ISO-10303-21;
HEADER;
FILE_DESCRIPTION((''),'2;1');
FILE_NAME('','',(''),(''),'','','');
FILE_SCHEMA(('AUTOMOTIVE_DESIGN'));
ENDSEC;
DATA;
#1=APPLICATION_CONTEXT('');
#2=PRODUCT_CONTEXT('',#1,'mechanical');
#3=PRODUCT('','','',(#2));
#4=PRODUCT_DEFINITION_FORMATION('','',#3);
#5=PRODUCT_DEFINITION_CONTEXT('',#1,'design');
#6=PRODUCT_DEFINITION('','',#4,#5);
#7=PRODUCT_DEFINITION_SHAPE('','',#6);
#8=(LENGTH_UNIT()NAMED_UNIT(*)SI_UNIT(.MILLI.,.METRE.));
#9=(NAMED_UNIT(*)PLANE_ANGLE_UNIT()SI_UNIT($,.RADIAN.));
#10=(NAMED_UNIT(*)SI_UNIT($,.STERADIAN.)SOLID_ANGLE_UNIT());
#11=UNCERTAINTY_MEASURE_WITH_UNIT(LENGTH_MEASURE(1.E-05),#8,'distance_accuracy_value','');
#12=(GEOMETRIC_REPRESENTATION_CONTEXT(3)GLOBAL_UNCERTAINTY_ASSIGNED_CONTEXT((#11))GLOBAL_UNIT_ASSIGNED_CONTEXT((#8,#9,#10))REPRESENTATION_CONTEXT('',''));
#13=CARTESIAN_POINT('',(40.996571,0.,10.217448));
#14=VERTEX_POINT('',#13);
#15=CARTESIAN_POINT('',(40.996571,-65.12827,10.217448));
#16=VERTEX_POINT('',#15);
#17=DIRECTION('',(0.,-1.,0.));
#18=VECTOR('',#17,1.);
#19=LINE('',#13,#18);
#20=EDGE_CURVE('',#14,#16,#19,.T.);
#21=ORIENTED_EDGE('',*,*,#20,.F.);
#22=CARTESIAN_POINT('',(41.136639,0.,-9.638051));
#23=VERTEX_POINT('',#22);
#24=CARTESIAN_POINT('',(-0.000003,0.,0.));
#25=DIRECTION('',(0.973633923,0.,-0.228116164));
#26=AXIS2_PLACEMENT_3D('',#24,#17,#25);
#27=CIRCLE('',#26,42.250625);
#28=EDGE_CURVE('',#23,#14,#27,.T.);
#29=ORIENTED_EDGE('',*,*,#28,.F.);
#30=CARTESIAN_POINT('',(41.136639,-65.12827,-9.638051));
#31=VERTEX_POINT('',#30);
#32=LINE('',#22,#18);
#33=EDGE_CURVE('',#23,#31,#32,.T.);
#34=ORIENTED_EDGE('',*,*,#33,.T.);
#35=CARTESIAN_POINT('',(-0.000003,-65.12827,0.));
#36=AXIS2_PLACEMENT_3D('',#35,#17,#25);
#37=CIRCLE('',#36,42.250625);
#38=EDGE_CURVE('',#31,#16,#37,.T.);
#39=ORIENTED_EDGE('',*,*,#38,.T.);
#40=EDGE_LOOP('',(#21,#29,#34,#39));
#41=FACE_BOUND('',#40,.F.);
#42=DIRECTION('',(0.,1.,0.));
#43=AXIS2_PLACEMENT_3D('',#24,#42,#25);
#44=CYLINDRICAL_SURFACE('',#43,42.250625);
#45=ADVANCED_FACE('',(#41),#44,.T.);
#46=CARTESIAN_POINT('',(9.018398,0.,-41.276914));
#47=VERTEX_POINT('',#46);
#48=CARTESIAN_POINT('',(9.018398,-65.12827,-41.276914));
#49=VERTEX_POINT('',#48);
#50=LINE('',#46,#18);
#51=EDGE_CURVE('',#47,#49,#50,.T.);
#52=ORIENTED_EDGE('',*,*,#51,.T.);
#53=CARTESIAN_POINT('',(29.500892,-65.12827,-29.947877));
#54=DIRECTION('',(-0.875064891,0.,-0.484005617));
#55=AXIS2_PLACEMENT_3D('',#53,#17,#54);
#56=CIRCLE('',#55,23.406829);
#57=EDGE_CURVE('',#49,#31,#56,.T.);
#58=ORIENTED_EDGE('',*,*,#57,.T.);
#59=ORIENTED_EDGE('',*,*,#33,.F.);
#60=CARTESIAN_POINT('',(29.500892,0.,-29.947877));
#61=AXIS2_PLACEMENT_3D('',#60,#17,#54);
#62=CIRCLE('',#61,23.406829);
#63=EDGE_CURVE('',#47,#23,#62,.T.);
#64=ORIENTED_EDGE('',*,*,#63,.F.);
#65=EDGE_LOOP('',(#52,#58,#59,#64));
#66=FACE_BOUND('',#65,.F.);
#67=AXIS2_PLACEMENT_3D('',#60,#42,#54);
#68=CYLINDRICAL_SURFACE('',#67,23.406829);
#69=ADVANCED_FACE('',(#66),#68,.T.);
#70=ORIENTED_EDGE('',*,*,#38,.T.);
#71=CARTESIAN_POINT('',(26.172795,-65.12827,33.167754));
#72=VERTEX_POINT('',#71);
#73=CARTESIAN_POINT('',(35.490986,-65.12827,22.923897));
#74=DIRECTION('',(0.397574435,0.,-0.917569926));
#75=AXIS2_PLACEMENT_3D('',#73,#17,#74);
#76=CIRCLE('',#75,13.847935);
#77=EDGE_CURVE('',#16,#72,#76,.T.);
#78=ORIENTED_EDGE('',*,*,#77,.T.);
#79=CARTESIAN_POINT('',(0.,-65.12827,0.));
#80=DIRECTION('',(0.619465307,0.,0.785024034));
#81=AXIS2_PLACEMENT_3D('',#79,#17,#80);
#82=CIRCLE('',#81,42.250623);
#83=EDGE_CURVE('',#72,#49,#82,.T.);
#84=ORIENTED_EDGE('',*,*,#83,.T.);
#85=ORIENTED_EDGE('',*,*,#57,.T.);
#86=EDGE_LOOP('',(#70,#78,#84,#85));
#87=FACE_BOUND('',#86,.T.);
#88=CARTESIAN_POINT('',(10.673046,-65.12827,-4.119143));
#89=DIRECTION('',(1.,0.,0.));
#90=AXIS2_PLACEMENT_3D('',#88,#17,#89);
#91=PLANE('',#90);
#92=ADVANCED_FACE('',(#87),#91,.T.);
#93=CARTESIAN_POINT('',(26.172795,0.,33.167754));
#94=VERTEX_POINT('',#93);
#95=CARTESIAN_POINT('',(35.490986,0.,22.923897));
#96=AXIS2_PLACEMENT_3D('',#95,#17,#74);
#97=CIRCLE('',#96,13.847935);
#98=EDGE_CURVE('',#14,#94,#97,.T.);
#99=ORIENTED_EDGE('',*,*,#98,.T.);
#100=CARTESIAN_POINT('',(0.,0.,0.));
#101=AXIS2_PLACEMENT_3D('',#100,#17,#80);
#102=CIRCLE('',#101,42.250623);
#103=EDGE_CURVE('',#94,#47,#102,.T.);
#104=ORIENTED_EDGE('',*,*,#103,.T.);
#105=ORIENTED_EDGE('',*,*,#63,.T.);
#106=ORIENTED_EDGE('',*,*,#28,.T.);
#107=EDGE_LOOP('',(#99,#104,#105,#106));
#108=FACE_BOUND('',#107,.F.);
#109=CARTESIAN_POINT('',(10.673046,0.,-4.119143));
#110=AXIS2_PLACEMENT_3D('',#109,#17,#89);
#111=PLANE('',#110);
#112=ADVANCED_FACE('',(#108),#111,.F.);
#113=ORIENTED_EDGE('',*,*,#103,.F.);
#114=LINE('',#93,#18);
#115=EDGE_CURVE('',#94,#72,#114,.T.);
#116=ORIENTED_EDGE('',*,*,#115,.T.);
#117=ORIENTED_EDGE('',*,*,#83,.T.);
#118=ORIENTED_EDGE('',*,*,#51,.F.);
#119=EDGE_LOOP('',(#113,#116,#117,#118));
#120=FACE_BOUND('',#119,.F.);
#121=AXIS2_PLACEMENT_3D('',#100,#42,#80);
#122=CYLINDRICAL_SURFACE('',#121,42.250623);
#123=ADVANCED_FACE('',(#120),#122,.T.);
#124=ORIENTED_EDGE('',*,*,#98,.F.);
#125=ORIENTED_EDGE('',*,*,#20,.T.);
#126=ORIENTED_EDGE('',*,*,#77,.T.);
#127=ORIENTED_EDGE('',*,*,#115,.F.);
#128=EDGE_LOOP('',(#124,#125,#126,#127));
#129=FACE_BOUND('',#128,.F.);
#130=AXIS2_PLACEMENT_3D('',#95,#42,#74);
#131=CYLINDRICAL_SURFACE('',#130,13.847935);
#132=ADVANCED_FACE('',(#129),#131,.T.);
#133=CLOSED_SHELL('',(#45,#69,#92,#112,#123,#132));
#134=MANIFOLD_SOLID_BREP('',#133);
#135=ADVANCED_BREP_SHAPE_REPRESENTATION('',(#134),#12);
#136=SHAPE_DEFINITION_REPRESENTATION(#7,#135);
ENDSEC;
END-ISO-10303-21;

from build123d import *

# Parameters (mm, degrees)
F1_DEPTH = 65.12827


with BuildPart() as f1:
    # F0 (on Front) → F1 (new body)
    with BuildSketch(Plane.XZ):
        with BuildLine():
            ThreePointArc((9.018398, -41.276914), (45.927111, -46.622978), (41.136639, -9.638051))
            ThreePointArc((41.136639, -9.638051), (42.249571, 0.298043), (40.996571, 10.217448))
            ThreePointArc((40.996571, 10.217448), (47.123403, 30.437363), (26.172795, 33.167754))
            ThreePointArc((26.172795, 33.167754), (-41.171679, 9.487252), (9.018398, -41.276914))
        make_face()
    extrude(amount=F1_DEPTH)


solid = f1.part
